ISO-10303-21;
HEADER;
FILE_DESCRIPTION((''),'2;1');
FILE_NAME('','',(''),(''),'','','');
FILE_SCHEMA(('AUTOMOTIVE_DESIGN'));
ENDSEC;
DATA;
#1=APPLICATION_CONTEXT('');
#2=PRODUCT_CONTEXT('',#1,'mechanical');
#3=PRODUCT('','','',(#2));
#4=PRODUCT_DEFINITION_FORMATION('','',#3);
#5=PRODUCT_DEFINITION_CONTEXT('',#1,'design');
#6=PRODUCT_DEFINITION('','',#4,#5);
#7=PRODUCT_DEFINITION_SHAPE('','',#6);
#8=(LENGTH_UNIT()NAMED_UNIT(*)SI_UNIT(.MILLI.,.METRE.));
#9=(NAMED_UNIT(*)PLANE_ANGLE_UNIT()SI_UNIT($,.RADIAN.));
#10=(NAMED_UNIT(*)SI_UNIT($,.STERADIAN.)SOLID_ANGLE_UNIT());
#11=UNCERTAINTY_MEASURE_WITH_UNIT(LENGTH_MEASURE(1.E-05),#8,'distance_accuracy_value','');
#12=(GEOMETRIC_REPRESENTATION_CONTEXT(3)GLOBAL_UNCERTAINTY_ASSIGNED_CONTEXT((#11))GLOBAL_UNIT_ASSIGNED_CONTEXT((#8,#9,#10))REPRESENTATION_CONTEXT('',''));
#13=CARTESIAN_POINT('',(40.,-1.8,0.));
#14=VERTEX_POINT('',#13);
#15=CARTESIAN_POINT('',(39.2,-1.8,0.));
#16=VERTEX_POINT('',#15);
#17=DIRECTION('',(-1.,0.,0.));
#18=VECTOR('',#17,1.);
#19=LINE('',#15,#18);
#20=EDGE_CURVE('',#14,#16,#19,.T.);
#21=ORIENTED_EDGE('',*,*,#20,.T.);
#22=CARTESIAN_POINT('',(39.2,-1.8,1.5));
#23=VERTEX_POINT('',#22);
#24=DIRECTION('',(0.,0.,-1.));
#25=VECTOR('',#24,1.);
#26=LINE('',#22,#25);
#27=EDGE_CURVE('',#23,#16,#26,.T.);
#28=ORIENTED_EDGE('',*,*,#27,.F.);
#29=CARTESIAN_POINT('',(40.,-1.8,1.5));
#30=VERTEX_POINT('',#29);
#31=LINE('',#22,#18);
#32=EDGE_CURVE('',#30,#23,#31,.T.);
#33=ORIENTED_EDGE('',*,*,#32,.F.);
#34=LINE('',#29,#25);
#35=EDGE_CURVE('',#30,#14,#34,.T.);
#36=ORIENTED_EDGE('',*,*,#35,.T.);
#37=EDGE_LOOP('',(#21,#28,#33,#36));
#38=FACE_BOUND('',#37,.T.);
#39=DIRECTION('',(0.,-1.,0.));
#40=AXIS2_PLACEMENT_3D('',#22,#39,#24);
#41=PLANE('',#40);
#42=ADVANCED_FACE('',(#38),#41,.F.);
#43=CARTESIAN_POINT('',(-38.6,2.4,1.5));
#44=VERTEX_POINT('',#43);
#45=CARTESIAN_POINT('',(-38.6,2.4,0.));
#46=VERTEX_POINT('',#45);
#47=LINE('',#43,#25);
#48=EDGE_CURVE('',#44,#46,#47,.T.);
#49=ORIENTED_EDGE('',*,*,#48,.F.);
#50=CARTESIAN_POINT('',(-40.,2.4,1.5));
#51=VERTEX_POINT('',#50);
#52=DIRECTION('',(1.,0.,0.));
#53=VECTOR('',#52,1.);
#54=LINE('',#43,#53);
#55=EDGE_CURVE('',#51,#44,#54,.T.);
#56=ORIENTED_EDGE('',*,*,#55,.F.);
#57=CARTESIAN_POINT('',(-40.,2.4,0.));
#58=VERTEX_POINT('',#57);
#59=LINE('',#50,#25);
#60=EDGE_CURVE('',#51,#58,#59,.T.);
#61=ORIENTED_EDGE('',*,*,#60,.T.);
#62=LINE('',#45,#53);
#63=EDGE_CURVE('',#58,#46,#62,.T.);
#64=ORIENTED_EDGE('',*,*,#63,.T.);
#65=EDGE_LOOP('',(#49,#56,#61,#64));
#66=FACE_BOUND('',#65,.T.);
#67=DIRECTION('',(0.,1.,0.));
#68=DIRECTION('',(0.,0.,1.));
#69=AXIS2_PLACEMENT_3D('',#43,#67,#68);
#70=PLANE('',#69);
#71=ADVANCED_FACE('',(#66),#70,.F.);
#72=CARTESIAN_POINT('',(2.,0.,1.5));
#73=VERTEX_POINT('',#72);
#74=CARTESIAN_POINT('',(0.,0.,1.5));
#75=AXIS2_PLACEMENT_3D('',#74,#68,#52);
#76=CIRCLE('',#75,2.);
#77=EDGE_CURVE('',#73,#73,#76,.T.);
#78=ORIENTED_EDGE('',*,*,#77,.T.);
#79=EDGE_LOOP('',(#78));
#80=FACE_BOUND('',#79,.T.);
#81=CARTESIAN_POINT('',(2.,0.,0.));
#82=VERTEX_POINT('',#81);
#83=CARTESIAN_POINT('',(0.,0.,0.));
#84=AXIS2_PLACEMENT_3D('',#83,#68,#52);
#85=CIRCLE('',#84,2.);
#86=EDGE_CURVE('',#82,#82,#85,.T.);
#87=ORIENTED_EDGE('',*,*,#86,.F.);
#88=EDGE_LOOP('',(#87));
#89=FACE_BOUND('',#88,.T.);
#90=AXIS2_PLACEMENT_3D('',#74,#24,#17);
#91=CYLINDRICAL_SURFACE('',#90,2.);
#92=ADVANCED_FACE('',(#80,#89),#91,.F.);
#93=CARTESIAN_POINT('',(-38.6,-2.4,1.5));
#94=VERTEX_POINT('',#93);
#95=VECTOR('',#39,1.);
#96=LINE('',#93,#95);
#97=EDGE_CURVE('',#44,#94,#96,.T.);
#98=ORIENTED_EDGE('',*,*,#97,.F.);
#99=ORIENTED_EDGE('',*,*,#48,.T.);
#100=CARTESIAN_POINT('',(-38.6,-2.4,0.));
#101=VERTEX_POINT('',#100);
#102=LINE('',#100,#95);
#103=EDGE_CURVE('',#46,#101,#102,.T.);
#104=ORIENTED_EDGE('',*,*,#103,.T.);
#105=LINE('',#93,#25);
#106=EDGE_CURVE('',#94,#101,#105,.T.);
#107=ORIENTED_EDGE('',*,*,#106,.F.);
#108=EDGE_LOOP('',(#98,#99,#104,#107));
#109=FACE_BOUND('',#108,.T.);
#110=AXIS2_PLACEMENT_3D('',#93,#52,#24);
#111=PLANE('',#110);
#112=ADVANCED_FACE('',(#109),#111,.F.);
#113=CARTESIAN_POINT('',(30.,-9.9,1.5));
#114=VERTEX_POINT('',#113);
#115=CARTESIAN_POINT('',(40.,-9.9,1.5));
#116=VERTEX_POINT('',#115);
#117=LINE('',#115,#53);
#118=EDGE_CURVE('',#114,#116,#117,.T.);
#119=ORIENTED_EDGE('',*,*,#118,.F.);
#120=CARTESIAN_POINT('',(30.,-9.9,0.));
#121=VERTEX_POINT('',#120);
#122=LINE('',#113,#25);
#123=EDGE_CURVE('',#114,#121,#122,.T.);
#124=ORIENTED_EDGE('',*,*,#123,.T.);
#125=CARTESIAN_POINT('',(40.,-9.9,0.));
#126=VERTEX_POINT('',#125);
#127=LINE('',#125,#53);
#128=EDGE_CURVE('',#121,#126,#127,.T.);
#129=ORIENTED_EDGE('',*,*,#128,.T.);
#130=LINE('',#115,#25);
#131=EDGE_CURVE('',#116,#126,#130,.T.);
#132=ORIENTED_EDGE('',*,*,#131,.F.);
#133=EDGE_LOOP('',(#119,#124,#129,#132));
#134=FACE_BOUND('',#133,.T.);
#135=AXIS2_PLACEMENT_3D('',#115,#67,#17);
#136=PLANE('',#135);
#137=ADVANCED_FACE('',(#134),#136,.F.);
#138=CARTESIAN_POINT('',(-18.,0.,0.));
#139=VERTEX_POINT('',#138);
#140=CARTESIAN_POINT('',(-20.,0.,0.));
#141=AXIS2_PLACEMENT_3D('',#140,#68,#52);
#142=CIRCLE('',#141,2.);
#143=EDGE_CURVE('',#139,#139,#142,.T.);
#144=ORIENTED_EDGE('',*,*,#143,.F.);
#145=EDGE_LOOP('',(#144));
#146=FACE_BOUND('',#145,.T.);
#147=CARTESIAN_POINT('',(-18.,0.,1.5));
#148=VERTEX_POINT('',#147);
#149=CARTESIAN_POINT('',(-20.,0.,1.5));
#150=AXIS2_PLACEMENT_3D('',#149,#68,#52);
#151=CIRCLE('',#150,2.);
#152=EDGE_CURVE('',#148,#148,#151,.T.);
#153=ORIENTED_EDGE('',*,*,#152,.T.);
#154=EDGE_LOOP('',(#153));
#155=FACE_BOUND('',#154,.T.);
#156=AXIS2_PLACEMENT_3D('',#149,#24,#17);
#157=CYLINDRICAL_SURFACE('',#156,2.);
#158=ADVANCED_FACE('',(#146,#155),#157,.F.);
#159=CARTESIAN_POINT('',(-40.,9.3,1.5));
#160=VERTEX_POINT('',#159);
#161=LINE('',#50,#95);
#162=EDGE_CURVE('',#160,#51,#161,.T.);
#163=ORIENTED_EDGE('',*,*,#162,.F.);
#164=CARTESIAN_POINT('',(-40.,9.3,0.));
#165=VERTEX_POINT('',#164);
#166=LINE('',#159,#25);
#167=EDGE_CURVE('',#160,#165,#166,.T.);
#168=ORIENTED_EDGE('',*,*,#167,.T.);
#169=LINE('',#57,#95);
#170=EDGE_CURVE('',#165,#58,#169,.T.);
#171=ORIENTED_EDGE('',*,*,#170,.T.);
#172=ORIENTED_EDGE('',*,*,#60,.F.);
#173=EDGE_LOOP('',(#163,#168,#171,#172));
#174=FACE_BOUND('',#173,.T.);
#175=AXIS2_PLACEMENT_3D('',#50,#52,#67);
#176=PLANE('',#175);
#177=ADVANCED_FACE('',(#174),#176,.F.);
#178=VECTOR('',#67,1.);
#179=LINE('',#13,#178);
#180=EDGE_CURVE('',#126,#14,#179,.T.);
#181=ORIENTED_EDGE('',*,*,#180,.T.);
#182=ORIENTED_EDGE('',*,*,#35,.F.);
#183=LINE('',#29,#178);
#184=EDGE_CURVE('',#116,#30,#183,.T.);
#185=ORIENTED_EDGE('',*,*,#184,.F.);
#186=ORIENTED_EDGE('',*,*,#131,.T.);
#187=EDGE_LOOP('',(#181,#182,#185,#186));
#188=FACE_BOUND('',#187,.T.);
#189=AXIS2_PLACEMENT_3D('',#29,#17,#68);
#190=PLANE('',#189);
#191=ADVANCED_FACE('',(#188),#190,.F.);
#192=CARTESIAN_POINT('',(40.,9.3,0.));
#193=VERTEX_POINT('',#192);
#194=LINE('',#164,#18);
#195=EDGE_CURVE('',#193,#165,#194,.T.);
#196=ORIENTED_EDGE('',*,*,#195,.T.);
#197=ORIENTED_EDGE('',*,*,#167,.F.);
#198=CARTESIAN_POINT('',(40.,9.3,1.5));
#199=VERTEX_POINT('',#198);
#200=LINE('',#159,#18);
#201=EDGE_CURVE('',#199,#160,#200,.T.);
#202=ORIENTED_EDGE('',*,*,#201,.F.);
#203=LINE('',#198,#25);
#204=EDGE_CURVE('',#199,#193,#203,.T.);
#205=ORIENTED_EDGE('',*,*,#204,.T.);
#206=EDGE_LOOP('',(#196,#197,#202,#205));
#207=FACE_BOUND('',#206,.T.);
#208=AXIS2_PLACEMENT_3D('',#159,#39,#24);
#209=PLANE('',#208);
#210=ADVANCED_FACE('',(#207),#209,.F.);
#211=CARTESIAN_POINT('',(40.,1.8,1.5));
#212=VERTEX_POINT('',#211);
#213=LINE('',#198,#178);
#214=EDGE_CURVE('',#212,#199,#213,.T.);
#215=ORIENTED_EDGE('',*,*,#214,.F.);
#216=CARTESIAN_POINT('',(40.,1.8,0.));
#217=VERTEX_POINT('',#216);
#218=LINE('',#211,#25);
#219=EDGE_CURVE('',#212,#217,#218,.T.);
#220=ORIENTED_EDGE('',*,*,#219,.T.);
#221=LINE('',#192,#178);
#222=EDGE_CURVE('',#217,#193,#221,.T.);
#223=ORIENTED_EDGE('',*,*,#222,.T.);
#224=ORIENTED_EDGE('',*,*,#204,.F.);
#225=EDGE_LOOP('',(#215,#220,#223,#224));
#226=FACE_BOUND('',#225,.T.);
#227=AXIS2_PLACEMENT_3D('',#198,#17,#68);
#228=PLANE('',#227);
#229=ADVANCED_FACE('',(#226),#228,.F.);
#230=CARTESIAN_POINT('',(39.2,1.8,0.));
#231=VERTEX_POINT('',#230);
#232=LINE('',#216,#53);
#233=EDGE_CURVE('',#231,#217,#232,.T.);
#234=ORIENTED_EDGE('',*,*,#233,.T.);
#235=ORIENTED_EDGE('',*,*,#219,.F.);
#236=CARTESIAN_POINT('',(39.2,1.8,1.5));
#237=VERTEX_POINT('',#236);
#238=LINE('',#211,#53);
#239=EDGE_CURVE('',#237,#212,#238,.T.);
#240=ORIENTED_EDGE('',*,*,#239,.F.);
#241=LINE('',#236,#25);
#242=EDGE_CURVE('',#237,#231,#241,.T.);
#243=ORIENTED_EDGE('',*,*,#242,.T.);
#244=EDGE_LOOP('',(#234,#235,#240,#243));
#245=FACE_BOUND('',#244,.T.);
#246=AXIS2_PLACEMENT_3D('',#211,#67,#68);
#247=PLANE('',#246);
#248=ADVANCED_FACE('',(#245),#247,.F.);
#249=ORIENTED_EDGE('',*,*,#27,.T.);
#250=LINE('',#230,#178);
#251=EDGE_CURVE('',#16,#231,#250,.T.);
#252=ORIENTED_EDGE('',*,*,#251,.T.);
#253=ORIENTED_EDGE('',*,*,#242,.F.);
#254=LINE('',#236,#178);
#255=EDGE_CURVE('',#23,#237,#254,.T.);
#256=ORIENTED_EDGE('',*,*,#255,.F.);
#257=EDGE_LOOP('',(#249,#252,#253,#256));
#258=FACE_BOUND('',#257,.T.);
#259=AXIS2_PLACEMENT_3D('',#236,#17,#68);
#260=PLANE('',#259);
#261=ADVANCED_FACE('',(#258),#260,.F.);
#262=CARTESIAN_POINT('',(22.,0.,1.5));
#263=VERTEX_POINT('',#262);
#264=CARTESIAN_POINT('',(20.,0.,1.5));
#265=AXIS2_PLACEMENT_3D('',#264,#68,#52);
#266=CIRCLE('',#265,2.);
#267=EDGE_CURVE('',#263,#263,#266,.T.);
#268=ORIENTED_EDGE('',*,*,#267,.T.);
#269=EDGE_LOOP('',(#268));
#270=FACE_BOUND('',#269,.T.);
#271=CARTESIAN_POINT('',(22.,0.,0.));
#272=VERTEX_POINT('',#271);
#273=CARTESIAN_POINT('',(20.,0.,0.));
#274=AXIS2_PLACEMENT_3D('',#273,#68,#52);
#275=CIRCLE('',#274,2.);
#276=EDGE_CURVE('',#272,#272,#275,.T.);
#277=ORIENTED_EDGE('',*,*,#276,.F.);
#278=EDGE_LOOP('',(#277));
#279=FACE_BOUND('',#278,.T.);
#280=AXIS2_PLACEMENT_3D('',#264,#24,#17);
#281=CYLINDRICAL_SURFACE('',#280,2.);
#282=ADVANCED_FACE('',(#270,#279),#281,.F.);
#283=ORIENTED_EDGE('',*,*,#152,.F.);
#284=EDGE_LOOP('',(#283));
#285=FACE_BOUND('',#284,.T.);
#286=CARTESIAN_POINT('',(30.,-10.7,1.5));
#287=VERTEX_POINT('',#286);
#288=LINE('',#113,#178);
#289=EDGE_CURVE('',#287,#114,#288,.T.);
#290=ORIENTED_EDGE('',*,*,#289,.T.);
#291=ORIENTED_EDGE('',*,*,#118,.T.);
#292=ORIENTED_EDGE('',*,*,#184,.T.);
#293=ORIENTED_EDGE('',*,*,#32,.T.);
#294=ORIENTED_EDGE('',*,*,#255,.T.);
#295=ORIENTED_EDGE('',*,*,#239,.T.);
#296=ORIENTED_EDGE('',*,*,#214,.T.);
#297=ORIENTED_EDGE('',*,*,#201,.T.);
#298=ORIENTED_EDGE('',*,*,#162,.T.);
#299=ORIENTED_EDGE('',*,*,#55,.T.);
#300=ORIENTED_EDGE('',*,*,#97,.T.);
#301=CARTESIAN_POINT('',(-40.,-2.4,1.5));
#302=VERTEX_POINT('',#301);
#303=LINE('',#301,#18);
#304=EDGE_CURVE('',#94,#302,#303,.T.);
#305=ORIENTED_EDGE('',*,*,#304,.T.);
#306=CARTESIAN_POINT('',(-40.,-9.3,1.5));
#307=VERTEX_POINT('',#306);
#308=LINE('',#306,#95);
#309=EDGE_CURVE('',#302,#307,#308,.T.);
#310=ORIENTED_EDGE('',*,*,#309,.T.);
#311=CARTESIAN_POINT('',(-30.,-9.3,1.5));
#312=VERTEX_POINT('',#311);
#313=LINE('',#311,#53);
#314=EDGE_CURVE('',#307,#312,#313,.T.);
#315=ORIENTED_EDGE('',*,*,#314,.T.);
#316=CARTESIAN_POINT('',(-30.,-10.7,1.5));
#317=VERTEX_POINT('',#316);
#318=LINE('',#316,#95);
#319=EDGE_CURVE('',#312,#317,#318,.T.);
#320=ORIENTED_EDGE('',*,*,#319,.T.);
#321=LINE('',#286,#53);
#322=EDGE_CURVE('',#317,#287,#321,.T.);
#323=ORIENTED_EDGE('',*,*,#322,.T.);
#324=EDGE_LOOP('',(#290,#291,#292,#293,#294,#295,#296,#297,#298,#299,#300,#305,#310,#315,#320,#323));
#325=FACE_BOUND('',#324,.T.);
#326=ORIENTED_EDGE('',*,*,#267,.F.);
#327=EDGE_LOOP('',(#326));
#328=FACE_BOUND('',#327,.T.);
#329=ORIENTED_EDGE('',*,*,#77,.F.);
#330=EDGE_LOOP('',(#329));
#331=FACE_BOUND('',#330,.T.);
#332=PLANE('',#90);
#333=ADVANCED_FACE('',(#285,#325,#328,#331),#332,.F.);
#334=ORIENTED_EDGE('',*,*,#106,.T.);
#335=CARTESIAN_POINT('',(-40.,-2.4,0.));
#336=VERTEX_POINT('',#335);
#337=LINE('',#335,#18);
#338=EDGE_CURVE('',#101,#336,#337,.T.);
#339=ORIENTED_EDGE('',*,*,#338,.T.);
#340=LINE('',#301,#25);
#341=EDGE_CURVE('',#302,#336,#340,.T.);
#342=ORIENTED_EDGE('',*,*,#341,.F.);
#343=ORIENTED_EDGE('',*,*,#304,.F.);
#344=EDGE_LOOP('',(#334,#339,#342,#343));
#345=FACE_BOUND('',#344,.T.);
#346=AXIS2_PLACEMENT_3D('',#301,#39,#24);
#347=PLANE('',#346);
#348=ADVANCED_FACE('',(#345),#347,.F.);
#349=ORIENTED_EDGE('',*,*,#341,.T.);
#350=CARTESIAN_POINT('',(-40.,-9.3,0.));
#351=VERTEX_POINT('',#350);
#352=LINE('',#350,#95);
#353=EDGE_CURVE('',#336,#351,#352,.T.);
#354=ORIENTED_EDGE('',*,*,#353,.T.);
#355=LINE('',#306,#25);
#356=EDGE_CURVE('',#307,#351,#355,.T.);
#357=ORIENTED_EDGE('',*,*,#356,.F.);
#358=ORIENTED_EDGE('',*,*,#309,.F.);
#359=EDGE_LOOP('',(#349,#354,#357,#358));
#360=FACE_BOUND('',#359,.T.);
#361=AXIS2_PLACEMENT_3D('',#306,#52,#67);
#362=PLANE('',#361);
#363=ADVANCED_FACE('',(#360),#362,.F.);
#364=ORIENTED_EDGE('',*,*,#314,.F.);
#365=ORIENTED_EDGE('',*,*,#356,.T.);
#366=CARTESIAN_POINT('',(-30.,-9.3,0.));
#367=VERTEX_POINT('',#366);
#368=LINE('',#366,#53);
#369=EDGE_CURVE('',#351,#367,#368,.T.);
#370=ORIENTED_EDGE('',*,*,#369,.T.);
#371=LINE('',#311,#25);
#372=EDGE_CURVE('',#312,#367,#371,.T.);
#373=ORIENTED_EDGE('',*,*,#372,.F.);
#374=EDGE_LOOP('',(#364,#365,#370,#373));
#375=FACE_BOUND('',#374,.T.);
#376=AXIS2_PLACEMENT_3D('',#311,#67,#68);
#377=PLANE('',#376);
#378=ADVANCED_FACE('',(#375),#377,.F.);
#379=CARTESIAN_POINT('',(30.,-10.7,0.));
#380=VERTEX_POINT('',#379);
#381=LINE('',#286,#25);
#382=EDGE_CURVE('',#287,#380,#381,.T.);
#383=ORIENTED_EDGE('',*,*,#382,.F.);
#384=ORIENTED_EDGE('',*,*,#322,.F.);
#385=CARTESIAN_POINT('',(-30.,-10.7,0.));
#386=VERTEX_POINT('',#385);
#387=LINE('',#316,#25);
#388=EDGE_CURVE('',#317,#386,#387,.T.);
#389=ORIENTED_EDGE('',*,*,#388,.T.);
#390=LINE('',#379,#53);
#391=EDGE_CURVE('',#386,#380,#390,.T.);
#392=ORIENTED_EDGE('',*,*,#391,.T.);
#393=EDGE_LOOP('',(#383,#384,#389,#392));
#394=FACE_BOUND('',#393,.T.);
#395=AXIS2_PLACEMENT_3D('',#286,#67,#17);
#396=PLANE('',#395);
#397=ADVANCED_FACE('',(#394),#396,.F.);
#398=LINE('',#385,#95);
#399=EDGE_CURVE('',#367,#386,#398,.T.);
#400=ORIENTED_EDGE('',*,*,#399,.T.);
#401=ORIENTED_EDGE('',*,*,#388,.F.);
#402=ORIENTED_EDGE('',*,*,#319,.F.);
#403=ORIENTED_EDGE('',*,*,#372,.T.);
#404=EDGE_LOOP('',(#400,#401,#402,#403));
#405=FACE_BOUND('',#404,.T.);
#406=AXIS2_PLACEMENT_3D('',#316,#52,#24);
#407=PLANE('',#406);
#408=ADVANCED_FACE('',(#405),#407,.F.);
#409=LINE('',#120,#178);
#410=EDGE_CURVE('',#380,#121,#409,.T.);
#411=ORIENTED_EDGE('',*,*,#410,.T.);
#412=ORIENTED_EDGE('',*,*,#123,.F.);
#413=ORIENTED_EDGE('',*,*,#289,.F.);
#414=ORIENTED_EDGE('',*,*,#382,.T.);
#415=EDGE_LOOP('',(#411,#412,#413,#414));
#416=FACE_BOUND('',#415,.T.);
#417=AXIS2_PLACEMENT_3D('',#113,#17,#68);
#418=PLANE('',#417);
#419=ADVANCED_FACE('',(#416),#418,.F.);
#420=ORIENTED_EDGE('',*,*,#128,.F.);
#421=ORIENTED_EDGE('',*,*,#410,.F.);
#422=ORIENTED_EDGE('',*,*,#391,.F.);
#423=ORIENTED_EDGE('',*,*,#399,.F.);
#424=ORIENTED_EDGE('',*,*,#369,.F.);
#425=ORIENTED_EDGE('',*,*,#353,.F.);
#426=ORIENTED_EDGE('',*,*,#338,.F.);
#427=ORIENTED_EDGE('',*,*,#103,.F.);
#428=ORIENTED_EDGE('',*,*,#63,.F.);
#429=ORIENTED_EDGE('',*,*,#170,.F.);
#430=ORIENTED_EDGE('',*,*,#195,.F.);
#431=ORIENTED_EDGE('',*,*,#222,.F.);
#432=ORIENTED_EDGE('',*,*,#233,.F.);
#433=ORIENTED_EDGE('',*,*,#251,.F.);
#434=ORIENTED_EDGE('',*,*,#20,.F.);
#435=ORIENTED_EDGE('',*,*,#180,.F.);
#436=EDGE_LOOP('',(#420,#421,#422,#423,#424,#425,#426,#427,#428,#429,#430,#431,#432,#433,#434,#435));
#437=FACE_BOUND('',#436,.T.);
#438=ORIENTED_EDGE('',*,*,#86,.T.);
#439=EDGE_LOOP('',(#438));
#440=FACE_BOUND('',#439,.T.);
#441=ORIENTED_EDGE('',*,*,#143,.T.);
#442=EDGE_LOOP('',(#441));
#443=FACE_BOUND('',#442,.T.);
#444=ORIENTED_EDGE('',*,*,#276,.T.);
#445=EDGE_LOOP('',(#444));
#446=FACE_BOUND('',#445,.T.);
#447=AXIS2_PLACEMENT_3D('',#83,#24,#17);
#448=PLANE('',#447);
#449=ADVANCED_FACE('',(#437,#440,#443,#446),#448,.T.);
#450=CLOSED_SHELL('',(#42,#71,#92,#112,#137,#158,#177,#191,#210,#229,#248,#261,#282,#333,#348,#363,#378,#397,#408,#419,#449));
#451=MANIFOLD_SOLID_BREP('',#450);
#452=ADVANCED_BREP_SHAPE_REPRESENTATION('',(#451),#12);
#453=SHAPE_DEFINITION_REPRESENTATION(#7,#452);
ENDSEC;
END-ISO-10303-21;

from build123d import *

# Parameters (mm, degrees)
CROQUIS1_R              = 2
SALIENTE_EXTRUIR1_DEPTH = 1.5


with BuildPart() as part:
    # Croquis1 → Saliente-Extruir1 (new body)
    with BuildSketch(Plane.XY):
        Polygon((-40, 9.3), (40, 9.3), (40, 1.8), (39.2, 1.8), (39.2, -1.8), (40, -1.8), (40, -9.9), (30, -9.9), (30, -10.7), (-30, -10.7), (-30, -9.3), (-40, -9.3), (-40, -2.4), (-38.6, -2.4), (-38.6, 2.4), (-40, 2.4), align=None)
        with Locations((20, 0)):
            Circle(CROQUIS1_R, mode=Mode.SUBTRACT)
        Circle(CROQUIS1_R, mode=Mode.SUBTRACT)
        with Locations((-20, 0)):
            Circle(CROQUIS1_R, mode=Mode.SUBTRACT)
    extrude(amount=SALIENTE_EXTRUIR1_DEPTH)


solid = part.part
